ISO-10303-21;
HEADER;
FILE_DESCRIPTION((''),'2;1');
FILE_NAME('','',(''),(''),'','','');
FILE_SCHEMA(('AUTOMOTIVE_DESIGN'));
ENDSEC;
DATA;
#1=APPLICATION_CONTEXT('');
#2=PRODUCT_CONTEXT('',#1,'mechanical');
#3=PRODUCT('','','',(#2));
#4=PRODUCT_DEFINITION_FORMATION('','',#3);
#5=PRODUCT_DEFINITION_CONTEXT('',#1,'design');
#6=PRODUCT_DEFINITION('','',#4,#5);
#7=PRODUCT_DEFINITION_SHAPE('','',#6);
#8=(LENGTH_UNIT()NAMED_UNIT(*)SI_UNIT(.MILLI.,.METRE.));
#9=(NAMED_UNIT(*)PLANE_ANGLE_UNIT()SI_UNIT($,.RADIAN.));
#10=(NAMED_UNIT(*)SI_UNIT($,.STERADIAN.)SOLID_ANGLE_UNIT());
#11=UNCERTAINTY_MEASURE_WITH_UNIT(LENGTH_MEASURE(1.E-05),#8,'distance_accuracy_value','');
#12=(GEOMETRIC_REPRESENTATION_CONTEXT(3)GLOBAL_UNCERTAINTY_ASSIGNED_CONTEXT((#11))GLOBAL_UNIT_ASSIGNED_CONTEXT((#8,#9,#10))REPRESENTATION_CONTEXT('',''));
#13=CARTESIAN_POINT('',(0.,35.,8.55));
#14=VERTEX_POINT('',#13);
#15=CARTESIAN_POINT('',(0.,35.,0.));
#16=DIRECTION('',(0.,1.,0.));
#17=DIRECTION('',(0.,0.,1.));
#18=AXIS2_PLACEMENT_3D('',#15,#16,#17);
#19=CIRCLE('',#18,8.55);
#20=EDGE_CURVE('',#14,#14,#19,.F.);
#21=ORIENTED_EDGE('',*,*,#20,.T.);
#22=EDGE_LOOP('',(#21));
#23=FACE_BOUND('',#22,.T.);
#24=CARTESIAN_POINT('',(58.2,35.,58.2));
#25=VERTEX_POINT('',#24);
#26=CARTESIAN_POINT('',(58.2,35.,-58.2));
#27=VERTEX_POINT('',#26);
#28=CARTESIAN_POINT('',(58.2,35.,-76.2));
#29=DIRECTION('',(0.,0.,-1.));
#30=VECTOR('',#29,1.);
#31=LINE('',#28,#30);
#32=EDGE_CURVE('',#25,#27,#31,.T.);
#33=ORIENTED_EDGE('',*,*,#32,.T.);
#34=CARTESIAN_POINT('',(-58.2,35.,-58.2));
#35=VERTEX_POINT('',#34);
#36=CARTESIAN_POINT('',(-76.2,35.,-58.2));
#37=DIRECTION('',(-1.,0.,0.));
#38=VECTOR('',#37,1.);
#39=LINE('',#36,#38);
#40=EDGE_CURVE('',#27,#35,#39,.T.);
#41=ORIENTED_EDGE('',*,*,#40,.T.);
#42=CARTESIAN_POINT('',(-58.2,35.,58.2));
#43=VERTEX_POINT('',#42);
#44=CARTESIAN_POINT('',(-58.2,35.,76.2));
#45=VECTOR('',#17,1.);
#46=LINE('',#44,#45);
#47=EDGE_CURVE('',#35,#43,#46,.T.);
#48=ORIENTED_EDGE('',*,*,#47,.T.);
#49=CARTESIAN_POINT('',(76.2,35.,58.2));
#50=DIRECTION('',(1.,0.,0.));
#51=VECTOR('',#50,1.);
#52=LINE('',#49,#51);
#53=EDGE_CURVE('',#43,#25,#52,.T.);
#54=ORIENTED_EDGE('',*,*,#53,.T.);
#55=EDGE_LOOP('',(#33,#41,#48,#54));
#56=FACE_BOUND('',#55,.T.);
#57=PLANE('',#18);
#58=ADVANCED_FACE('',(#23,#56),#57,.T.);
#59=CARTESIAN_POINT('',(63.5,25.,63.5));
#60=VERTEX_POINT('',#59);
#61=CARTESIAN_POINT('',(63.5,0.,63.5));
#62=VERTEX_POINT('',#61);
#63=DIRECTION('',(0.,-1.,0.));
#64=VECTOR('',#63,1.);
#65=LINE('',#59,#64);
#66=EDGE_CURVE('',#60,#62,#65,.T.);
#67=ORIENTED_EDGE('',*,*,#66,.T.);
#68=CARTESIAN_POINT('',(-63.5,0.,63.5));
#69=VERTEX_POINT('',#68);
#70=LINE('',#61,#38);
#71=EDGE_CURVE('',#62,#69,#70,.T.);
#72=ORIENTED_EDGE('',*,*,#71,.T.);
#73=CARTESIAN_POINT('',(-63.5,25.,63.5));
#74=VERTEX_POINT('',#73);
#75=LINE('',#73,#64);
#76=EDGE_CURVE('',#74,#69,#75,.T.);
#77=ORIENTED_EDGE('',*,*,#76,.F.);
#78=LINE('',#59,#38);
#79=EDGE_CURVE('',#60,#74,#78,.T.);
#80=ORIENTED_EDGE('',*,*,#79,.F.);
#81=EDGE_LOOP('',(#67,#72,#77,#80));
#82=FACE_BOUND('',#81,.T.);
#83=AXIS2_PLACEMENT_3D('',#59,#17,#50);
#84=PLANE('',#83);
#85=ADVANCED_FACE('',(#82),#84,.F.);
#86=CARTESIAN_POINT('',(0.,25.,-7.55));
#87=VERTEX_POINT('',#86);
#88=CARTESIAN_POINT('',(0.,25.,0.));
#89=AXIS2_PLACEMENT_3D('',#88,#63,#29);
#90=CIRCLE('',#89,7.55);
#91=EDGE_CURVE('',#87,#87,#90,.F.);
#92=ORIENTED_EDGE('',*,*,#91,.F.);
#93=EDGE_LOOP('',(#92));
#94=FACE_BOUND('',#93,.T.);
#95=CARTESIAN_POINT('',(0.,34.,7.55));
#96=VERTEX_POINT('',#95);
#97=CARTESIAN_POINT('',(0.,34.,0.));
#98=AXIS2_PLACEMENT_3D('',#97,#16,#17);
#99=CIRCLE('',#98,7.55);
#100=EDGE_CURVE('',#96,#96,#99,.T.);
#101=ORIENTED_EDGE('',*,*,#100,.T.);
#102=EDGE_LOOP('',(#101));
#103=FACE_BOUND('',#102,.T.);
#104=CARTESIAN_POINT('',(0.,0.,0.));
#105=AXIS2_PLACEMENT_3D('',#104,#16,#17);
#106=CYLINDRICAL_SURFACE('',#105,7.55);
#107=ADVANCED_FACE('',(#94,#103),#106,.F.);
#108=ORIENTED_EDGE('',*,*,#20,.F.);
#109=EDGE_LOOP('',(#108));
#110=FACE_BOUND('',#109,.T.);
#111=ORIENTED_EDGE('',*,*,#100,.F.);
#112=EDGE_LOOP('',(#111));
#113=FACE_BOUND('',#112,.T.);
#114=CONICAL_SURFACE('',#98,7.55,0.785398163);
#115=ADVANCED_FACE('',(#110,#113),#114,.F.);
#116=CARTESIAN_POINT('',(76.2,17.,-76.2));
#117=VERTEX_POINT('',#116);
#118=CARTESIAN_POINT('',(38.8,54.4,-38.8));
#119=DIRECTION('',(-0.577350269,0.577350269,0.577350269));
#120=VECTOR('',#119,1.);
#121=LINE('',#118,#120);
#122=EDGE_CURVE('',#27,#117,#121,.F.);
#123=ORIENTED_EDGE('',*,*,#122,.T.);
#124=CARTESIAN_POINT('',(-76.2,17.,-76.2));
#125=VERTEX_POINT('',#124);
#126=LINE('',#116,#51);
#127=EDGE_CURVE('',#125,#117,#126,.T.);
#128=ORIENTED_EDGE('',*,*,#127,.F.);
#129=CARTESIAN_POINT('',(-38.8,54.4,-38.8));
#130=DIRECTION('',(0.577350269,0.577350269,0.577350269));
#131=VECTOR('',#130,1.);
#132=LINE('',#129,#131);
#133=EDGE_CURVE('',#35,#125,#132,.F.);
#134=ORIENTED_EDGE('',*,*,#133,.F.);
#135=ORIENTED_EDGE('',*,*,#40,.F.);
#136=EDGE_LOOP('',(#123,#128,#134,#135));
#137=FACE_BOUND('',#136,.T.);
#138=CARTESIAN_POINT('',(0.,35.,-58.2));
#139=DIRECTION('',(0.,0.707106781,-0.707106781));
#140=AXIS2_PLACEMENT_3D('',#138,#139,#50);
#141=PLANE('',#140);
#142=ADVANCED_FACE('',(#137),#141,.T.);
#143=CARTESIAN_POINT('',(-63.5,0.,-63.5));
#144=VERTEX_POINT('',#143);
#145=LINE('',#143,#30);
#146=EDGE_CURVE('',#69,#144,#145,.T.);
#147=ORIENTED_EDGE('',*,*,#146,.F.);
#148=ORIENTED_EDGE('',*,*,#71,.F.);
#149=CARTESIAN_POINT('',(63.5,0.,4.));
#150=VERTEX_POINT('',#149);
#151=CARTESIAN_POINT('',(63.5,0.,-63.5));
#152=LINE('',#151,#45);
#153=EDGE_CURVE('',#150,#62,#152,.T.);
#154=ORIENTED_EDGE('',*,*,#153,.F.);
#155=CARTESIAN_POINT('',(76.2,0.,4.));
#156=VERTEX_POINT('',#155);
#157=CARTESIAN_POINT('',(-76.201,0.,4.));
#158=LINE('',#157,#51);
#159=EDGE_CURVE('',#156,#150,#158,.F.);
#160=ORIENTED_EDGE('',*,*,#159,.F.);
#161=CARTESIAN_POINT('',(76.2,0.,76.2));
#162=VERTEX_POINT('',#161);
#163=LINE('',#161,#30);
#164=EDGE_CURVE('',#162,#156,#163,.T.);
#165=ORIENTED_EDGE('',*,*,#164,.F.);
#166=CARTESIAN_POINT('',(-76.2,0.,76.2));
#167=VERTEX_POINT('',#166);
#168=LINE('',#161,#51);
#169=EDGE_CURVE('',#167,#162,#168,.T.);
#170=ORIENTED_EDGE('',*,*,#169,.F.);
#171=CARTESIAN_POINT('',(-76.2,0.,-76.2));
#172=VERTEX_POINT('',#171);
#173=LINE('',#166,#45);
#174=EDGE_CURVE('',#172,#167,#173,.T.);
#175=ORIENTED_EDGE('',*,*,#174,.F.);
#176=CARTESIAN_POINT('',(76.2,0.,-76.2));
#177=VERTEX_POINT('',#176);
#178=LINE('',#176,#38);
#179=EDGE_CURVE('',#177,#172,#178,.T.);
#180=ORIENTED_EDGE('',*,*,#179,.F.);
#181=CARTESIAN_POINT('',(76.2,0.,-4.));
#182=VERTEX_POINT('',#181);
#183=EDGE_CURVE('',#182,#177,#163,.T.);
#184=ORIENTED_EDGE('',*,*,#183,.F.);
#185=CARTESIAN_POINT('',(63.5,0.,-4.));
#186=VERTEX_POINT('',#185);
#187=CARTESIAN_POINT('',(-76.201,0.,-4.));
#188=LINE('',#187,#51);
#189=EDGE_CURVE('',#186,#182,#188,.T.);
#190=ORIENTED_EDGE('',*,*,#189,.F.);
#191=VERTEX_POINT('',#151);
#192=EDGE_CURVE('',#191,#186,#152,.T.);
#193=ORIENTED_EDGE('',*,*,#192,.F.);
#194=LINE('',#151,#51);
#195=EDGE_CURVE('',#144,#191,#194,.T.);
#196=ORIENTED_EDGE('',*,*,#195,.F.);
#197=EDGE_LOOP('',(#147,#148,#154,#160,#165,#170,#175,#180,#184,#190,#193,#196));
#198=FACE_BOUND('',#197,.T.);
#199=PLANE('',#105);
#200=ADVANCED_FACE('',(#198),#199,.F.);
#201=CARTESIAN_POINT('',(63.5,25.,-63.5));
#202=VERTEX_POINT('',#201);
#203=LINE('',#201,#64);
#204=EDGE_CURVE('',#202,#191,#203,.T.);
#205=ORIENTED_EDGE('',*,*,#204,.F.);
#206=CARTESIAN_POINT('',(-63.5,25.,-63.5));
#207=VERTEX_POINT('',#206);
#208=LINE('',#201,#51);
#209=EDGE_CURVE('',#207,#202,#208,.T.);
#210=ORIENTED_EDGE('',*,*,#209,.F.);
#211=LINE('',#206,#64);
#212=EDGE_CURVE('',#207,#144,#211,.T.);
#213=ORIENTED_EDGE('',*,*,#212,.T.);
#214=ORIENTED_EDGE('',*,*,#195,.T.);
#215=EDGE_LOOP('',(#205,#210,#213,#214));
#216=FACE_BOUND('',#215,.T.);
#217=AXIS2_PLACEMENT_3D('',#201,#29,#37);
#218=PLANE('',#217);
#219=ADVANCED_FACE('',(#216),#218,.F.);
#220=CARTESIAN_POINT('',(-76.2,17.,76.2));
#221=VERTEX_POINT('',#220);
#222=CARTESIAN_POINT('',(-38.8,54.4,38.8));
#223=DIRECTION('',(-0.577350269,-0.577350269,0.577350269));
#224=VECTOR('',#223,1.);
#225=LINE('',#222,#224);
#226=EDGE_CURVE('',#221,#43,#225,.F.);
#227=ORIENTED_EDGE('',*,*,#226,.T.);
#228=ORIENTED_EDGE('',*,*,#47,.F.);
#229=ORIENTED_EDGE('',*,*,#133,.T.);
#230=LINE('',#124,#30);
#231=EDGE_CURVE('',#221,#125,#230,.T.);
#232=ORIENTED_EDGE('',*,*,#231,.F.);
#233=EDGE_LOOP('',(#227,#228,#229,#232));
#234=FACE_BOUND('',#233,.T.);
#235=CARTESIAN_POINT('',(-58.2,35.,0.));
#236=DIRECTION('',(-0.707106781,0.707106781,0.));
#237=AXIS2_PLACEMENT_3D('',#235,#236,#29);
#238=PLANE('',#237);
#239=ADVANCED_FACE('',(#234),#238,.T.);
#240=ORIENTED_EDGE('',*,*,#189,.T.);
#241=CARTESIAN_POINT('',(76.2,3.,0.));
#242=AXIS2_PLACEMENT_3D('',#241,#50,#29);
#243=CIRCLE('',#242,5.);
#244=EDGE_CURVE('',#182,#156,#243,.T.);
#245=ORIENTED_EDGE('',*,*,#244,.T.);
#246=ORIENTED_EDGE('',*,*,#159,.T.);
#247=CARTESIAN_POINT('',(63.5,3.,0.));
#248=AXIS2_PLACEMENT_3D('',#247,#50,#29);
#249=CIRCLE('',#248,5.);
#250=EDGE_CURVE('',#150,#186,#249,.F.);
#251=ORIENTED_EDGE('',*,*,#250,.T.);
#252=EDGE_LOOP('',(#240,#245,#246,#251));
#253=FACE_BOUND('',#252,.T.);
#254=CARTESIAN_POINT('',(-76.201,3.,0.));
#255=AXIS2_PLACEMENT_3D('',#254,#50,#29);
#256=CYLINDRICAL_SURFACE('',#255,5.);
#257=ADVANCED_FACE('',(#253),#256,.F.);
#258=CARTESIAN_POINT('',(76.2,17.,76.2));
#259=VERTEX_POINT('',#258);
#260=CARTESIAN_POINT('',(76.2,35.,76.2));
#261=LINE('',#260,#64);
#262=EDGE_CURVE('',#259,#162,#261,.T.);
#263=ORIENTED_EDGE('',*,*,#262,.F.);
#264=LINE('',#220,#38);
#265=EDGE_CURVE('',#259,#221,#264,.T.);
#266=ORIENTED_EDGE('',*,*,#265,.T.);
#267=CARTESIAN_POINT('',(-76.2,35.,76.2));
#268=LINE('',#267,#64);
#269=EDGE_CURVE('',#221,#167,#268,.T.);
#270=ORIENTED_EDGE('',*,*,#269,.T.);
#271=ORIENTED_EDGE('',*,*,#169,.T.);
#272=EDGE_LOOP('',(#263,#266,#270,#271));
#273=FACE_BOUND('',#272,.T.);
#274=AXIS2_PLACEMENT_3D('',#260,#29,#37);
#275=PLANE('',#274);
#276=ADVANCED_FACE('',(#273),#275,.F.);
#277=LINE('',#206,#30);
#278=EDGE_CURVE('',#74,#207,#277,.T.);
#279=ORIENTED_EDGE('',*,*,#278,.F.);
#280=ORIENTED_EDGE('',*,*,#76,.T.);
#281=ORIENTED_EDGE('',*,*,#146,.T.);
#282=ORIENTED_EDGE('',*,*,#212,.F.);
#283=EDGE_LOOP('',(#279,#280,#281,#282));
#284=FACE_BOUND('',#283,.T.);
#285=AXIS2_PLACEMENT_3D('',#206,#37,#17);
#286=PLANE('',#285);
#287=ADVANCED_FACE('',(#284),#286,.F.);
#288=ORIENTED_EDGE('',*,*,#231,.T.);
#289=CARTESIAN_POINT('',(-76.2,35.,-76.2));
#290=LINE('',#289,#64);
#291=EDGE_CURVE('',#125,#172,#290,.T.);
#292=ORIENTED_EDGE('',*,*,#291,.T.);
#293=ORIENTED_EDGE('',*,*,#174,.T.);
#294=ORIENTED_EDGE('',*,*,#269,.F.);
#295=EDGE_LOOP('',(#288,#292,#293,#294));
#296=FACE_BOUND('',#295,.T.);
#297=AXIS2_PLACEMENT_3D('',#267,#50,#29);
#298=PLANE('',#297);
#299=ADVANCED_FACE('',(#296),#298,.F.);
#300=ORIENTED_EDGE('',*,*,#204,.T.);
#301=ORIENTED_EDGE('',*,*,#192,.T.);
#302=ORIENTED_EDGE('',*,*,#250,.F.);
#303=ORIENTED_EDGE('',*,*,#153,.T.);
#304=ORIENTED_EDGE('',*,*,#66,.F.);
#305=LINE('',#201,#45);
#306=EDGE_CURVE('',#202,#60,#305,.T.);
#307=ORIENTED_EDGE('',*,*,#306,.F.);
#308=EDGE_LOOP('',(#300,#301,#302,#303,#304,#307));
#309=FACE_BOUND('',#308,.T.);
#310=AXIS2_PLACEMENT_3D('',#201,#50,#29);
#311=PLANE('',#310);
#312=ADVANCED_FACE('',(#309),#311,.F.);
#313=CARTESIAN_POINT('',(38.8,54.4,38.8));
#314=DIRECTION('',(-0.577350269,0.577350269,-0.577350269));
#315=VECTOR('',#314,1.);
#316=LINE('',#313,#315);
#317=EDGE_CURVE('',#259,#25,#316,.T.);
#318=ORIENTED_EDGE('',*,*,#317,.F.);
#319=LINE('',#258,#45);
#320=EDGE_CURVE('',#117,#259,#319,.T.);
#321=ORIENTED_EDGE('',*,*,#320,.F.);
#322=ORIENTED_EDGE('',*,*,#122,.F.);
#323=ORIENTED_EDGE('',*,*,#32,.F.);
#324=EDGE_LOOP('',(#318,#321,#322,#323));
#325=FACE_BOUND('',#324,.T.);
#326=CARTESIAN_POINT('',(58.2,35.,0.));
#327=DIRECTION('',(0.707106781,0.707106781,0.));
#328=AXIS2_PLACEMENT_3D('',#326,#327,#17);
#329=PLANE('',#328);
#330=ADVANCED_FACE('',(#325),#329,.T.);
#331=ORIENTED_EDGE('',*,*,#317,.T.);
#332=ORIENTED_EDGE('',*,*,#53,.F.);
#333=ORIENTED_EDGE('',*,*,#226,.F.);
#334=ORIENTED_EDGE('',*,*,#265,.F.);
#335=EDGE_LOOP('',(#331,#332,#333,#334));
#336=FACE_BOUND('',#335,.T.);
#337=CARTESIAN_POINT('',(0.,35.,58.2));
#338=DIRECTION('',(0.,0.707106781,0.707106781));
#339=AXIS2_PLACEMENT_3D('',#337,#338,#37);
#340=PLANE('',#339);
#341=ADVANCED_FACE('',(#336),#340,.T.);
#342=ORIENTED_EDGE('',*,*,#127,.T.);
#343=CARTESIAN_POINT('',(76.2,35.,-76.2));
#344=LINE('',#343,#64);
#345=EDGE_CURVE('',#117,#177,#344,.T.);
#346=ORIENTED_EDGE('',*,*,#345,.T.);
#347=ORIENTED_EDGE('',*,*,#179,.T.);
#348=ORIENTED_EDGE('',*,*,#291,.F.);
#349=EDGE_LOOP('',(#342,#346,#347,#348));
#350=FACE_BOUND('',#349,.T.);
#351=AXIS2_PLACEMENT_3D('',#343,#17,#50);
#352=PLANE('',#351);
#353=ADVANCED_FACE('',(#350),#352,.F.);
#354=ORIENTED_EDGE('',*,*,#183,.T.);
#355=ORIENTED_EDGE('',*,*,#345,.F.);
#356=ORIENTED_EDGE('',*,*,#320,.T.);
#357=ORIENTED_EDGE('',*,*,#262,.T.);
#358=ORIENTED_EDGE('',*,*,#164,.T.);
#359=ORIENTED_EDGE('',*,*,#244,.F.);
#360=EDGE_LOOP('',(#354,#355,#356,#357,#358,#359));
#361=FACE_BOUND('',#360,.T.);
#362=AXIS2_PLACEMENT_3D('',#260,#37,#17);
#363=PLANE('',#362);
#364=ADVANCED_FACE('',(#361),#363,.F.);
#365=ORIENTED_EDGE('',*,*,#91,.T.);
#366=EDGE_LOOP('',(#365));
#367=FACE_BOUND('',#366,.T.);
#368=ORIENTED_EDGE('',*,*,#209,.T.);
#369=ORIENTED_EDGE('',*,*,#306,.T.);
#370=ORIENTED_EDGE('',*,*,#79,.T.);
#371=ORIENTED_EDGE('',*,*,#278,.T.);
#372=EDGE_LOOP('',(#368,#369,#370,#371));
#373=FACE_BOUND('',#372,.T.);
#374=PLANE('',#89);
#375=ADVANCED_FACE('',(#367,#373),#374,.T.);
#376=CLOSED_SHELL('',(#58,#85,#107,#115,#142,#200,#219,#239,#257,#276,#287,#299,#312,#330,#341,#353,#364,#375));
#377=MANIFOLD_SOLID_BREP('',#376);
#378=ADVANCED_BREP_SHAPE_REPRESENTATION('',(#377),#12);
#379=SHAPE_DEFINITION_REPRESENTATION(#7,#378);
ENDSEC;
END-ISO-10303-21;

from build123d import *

# Parameters (mm, degrees)
SKETCH1_W               = 152.4
SKETCH1_H               = 152.4
BOSS_EXTRUDE1_DEPTH     = 35
SKETCH2_R               = 7.55
CUT_EXTRUDE1_DEPTH      = 114.304368848
CHAMFER1_SIZE           = 18
CUT_EXTRUDE2_REACH      = 175.946
CUT_EXTRUDE2_END_RADIUS = 7.55
SKETCH4_R               = 5
SKETCH5_W               = 127
SKETCH5_H               = 127
CUT_EXTRUDE3_DEPTH      = 25
CHAMFER3_SIZE           = 1


with BuildPart() as part:
    # Sketch1 → Boss-Extrude1 (new body)
    with BuildSketch(Plane(origin=(0, 0, 0), x_dir=(1, 0, 0), z_dir=(0, 1, 0))):
        Rectangle(SKETCH1_W, SKETCH1_H)
    extrude(amount=BOSS_EXTRUDE1_DEPTH)

    # Sketch2 → Cut-Extrude1 (cut, through all)
    with BuildSketch(Plane(origin=(0, 35, 0), x_dir=(1, 0, 0), z_dir=(0, 1, 0))):
        with Locations(Location((0, 0, 0), (0, 0, 270))):
            Circle(SKETCH2_R)
    extrude(amount=-CUT_EXTRUDE1_DEPTH, mode=Mode.SUBTRACT)

    # Chamfer1
    chamfer1_edges = [part.edges().sort_by_distance(p)[0] for p in [
        (76.2, 35, 0),
        (0, 35, -76.2),
        (-76.2, 35, 0),
        (0, 35, 76.2),
    ]]
    chamfer(chamfer1_edges, length=CHAMFER1_SIZE)

    # Cut-Extrude2: up to this cylinder (the profile starts outside it)
    cut_extrude2_end = Plane(origin=(0, 3, 0), z_dir=(0, 1, 0)) * Cylinder(CUT_EXTRUDE2_END_RADIUS, 367.992, mode=Mode.PRIVATE)
    # Sketch4 → Cut-Extrude2 (cut, up to the surface)
    with BuildSketch(Plane(origin=(76.2, 0, 0), x_dir=(0, 0, -1), z_dir=(1, 0, 0)), mode=Mode.PRIVATE) as cut_extrude2_sk1:
        with Locations((0, 3)):
            Circle(SKETCH4_R)
    cut_extrude2_tool1 = extrude(cut_extrude2_sk1.sketch, amount=-CUT_EXTRUDE2_REACH, mode=Mode.PRIVATE) - cut_extrude2_end
    add(cut_extrude2_tool1.solids().sort_by_distance((76.2, 3, 0))[0], mode=Mode.SUBTRACT)

    # Sketch5 → Cut-Extrude3 (cut)
    with BuildSketch(Plane.XZ):
        Rectangle(SKETCH5_W, SKETCH5_H)
    extrude(amount=-CUT_EXTRUDE3_DEPTH, mode=Mode.SUBTRACT)

    # Chamfer3
    chamfer3_edges = [part.edges().sort_by_distance(p)[0] for p in [
        (0, 35, -7.55),
    ]]
    chamfer(chamfer3_edges, length=CHAMFER3_SIZE)


solid = part.part
